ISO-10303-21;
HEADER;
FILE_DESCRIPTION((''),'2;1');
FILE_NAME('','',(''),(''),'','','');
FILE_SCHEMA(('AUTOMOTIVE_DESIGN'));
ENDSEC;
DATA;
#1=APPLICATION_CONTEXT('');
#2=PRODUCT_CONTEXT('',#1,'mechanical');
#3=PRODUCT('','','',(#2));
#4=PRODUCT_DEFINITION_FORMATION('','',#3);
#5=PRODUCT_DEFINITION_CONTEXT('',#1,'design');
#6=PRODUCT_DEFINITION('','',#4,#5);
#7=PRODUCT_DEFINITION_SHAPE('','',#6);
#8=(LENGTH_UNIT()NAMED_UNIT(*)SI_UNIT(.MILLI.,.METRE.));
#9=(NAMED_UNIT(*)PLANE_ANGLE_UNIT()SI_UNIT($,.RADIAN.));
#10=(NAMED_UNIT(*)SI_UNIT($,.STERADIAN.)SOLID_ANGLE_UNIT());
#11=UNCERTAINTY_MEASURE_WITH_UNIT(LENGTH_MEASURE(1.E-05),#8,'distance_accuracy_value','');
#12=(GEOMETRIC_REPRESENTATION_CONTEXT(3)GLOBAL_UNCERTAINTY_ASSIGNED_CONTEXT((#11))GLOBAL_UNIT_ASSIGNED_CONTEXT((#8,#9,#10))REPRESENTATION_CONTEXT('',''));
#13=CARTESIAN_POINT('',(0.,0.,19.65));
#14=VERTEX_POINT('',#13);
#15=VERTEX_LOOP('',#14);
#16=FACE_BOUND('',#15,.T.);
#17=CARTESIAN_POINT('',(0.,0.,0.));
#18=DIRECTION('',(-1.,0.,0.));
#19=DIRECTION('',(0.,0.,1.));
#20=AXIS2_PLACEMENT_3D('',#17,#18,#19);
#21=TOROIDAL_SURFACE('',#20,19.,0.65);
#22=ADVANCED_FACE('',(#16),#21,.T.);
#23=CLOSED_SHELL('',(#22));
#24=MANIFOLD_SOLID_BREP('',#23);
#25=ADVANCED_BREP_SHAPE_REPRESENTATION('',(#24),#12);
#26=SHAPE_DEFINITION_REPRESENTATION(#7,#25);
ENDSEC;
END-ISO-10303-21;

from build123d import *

# Parameters (mm, degrees)
SKETCH_1_R = 0.65


with BuildPart() as part:
    # 草图1 → 旋转1 (revolve)
    with BuildSketch(Plane.XY, mode=Mode.PRIVATE) as revolve_1_sk:
        with Locations((0, 19)):
            Circle(SKETCH_1_R)
    revolve(revolve_1_sk.sketch.rotate(Axis((0, 0, 0), (1, 0, 0)), 90), axis=Axis((0, 0, 0), (1, 0, 0)))


solid = part.part
